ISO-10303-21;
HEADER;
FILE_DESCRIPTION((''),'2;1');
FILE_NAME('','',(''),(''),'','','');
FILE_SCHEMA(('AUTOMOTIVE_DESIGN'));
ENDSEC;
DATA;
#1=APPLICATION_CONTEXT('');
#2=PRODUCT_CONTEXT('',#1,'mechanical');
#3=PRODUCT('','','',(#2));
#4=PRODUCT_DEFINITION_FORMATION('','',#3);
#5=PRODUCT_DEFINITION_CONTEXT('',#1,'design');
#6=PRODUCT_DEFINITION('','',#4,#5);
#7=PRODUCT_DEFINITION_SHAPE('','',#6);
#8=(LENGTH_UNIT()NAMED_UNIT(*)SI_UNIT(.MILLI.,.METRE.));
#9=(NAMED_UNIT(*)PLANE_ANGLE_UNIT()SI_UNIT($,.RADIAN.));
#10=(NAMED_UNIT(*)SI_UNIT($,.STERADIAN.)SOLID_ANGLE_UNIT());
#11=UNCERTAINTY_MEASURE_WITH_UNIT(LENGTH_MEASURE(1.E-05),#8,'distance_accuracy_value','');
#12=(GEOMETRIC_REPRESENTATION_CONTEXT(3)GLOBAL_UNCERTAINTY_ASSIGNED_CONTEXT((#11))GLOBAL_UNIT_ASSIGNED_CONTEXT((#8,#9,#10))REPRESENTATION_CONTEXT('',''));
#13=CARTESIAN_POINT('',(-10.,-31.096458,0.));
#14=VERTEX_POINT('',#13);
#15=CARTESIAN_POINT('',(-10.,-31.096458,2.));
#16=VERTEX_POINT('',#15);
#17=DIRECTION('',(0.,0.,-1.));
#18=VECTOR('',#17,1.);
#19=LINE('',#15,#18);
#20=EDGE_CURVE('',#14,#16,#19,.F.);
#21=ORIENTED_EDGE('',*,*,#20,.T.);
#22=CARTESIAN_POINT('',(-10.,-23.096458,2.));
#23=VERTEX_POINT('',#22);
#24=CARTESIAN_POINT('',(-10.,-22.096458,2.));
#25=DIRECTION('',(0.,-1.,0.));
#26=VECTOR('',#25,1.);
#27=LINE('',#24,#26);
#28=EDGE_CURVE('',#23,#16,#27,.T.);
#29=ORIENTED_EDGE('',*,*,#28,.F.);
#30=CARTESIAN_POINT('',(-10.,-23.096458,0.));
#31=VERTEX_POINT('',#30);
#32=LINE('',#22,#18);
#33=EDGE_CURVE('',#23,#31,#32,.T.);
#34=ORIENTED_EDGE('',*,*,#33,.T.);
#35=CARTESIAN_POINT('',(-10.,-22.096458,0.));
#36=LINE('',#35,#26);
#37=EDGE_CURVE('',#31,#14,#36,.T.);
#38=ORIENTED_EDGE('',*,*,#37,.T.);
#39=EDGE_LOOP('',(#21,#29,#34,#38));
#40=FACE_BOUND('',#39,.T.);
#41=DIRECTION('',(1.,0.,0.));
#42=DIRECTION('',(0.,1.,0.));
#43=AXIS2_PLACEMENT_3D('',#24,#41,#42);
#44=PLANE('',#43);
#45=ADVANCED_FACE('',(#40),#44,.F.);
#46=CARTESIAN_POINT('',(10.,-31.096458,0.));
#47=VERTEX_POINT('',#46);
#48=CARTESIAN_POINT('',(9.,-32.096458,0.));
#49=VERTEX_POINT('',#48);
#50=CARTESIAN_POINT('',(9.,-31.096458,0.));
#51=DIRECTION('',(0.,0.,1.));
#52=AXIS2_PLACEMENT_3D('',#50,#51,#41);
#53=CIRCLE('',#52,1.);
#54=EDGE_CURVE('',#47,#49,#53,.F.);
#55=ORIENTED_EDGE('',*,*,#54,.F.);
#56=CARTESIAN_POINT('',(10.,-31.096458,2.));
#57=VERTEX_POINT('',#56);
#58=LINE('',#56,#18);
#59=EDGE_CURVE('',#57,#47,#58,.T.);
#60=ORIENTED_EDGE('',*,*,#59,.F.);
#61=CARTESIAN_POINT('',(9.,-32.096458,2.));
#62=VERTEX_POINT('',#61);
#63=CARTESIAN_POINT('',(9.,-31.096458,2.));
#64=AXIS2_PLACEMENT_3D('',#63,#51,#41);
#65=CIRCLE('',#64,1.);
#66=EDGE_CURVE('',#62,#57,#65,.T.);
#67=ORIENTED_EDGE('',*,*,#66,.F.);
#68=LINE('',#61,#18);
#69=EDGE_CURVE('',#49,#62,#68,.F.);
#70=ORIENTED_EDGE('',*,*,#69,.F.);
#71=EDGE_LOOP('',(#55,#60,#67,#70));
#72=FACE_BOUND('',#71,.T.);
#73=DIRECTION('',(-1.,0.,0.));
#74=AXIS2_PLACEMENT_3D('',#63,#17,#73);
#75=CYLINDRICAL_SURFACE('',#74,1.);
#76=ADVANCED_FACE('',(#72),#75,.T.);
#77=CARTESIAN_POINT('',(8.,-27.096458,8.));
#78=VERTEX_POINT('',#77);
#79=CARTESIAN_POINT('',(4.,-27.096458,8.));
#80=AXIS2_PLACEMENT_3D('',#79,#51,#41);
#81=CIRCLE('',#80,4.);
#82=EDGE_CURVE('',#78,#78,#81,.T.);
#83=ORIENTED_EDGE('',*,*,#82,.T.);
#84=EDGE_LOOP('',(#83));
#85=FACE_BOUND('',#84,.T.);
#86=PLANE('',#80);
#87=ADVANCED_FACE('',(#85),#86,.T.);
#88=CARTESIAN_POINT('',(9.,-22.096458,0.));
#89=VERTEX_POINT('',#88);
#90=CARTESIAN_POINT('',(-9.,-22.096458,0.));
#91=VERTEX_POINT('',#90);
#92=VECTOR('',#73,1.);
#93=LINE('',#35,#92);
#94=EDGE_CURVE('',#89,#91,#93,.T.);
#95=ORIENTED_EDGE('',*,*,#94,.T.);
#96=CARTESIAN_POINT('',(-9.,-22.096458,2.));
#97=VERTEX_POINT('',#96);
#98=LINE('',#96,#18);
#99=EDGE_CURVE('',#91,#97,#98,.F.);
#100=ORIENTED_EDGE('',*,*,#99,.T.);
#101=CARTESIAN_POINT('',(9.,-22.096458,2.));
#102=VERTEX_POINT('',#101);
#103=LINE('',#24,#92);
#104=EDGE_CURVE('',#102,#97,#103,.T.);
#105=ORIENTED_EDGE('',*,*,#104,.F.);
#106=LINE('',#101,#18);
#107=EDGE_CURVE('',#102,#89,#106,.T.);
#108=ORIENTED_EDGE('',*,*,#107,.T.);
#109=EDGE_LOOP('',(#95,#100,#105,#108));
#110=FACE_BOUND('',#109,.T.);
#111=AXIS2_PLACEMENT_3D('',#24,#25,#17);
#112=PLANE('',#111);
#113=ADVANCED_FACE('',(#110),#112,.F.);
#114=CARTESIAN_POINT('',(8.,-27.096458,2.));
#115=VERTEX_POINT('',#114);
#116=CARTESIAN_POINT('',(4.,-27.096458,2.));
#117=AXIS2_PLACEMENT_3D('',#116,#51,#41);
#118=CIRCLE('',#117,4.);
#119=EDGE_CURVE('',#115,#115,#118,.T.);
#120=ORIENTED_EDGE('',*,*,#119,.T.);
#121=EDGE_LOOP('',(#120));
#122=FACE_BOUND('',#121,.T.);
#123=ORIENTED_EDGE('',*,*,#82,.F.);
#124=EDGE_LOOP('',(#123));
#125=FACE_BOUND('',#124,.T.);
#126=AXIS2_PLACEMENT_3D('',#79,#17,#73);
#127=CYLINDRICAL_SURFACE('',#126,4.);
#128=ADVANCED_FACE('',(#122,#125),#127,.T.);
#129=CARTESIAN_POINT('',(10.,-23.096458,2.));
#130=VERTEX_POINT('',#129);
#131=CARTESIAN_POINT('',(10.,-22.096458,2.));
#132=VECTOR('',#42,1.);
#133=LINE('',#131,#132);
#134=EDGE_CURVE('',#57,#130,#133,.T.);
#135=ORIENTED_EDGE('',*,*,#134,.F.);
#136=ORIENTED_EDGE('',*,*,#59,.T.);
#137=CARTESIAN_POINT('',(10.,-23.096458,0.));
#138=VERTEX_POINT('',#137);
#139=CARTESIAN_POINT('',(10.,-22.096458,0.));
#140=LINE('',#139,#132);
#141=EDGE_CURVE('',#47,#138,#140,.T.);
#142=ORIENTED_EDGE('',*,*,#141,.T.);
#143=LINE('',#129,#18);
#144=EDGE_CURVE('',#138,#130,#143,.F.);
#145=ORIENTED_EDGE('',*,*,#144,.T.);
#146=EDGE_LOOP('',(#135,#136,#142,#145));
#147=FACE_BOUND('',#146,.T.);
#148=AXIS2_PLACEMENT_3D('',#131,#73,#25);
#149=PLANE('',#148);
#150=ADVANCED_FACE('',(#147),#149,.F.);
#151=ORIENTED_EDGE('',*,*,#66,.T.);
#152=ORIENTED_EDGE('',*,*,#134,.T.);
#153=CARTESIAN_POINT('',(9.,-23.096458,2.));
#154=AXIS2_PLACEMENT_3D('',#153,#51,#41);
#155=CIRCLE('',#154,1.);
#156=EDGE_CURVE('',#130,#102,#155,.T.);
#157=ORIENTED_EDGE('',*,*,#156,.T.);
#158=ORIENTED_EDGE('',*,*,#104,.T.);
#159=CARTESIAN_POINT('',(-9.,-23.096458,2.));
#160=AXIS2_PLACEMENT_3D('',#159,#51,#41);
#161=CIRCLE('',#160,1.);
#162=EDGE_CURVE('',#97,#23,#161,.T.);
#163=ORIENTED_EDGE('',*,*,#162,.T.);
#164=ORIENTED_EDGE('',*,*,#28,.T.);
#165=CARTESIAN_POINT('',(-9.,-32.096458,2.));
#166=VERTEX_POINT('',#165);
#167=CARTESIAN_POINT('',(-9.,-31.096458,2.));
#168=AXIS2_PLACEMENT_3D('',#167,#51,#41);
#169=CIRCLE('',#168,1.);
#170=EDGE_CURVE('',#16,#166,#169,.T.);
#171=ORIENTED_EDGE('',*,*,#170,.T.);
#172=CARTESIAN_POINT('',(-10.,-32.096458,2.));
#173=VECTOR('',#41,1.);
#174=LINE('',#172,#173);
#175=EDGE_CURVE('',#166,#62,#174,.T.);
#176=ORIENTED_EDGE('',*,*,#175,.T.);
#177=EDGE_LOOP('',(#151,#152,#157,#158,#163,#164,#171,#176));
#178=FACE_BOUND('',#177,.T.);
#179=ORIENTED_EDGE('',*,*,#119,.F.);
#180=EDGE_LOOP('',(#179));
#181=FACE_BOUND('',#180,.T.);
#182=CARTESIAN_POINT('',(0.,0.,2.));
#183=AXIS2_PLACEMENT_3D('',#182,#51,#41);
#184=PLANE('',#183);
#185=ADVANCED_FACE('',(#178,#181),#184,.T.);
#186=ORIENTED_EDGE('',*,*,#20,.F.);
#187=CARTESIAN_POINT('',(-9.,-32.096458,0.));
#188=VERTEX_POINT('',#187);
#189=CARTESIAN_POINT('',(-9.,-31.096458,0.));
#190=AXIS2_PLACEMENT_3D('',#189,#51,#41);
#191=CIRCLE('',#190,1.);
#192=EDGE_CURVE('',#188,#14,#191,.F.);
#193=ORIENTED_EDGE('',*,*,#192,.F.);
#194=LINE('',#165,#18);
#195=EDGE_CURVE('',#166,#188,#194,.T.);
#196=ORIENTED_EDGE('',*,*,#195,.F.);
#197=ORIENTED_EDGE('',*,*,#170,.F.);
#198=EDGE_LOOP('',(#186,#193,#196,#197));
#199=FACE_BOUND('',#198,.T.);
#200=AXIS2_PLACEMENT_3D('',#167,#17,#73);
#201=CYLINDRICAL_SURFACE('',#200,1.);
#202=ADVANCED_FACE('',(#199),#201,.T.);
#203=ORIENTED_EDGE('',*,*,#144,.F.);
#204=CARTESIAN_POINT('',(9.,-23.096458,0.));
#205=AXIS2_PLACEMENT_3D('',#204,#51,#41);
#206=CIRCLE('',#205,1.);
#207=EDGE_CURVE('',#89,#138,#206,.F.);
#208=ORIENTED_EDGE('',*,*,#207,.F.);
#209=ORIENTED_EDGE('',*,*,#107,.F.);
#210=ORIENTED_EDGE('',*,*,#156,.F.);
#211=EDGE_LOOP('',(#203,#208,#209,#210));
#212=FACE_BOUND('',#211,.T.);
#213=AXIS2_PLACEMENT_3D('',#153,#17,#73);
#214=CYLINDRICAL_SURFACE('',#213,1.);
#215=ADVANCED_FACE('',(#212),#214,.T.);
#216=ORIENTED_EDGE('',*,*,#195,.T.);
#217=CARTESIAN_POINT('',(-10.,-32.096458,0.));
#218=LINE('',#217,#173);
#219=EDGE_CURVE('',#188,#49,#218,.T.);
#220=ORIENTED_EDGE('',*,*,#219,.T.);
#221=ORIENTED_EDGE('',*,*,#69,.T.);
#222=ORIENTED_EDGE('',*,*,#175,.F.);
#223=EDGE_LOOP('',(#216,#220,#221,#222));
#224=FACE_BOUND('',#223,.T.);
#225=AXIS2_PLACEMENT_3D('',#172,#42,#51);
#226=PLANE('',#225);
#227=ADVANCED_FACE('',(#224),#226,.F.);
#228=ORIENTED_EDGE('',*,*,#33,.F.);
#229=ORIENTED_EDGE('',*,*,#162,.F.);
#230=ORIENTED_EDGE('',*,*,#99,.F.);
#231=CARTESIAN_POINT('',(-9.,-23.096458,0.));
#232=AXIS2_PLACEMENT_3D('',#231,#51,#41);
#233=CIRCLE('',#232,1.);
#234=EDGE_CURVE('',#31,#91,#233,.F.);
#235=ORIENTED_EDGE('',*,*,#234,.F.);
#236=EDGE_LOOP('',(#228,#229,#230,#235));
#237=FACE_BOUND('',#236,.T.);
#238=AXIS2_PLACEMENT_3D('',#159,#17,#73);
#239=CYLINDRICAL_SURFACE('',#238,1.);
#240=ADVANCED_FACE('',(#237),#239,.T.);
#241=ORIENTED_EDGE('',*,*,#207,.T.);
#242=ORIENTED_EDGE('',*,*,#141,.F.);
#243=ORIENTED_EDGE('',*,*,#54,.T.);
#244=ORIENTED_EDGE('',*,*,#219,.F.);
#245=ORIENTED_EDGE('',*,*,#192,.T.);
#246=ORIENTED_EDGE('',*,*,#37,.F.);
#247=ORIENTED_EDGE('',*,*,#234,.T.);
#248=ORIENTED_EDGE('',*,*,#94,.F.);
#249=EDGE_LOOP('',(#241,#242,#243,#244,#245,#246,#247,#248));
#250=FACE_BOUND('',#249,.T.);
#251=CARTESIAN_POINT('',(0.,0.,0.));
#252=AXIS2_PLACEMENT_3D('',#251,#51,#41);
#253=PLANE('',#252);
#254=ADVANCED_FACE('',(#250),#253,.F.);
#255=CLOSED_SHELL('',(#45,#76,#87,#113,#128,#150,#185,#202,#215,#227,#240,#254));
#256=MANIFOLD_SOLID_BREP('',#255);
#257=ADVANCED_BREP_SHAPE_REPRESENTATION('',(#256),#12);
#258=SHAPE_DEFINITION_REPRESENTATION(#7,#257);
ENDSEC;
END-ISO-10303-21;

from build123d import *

# Parameters (mm, degrees)
SKETCH1_W           = 20
SKETCH1_H           = 10
BOSS_EXTRUDE1_DEPTH = 2
SKETCH2_R           = 4
BOSS_EXTRUDE2_DEPTH = 6
FILLET1_R           = 1


with BuildPart() as part:
    # Sketch1 → Boss-Extrude1 (new body)
    with BuildSketch(Plane.XY):
        with Locations((0, -27.096458497)):
            Rectangle(SKETCH1_W, SKETCH1_H)
    extrude(amount=BOSS_EXTRUDE1_DEPTH)

    # Sketch2 → Boss-Extrude2 (add)
    with BuildSketch(Plane.XY.offset(2)):
        with Locations((4, -27.096458497)):
            Circle(SKETCH2_R)
    extrude(amount=BOSS_EXTRUDE2_DEPTH)

    # Fillet1
    fillet1_edges = [part.edges().sort_by_distance(p)[0] for p in [
        (-10, -22.096458497, 1),
        (10, -22.096458497, 1),
        (10, -32.096458497, 1),
        (-10, -32.096458497, 1),
    ]]
    fillet(fillet1_edges, radius=FILLET1_R)


solid = part.part
